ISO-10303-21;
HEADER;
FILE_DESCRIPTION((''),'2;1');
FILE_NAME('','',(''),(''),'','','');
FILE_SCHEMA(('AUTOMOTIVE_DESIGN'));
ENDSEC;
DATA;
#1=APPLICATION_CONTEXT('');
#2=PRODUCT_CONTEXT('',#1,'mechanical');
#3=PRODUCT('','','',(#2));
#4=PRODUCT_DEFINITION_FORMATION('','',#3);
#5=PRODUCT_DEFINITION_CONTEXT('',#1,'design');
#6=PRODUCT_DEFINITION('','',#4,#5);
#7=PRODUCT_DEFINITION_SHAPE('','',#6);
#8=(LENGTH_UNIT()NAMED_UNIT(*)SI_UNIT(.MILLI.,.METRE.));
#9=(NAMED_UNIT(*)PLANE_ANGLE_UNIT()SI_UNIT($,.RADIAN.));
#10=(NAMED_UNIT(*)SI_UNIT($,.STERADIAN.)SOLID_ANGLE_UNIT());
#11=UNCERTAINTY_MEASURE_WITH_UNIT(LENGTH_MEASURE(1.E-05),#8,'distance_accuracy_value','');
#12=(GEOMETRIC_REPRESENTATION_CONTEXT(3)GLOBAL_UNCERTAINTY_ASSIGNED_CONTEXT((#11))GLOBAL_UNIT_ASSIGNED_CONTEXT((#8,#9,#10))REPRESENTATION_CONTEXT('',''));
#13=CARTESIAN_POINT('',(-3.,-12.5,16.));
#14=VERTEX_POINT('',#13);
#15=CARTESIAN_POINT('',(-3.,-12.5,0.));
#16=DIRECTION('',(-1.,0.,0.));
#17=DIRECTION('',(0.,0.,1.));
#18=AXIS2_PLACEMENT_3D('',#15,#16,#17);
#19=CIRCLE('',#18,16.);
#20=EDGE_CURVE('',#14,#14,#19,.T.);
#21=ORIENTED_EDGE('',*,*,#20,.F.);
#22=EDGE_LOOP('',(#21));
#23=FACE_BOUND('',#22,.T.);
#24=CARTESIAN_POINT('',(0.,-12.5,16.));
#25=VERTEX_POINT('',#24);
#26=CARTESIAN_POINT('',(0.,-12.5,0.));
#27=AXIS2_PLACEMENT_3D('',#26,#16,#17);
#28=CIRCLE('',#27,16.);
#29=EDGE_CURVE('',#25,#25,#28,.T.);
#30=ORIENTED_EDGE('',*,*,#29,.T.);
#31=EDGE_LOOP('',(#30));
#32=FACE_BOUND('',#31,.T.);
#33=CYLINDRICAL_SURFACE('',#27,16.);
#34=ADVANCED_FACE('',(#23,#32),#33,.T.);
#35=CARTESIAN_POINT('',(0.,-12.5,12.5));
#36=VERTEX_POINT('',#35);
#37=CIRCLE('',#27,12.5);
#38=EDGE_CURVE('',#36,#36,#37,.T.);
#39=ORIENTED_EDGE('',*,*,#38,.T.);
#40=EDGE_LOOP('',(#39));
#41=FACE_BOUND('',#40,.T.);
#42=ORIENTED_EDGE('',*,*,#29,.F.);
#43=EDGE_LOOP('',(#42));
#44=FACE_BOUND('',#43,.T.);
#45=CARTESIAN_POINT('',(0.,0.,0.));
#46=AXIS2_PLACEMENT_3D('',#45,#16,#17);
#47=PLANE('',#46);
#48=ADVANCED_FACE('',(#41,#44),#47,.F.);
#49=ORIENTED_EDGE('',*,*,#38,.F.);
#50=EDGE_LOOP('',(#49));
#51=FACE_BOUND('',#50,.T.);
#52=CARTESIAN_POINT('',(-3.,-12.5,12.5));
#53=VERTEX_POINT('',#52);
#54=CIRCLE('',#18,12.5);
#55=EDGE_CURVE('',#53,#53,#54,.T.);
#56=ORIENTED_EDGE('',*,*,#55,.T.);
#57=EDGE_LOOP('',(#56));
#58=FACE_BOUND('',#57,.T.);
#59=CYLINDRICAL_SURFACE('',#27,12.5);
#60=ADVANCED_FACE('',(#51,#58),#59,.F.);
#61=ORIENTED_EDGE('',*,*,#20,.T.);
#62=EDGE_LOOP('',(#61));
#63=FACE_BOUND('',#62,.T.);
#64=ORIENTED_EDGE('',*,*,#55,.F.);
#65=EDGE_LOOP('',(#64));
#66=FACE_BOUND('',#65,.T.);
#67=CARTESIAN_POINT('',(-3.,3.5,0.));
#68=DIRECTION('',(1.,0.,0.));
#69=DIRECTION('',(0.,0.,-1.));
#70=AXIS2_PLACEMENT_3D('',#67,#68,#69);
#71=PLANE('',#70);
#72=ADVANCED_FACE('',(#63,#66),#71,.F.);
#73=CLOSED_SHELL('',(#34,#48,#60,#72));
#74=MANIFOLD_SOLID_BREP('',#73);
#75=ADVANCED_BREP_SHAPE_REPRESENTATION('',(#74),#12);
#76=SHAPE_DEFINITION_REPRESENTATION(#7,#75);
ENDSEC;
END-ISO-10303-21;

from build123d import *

# Parameters (mm, degrees)
ESQUISSE1_W = 3
ESQUISSE1_H = 3.5


with BuildPart() as part:
    # joint: sweep along a path in Esquisse3
    with BuildLine(Plane(origin=(0, 0, 0), x_dir=(0, 0, -1), z_dir=(1, 0, 0))) as joint_path:
        CenterArc((0, -12.5), 12.5, 0, 360)
    # Esquisse1 → joint (sweep)
    with BuildSketch(Plane.XY):
        with Locations((-1.5, 1.75)):
            Rectangle(ESQUISSE1_W, ESQUISSE1_H)
    sweep(path=joint_path.line)


solid = part.part
